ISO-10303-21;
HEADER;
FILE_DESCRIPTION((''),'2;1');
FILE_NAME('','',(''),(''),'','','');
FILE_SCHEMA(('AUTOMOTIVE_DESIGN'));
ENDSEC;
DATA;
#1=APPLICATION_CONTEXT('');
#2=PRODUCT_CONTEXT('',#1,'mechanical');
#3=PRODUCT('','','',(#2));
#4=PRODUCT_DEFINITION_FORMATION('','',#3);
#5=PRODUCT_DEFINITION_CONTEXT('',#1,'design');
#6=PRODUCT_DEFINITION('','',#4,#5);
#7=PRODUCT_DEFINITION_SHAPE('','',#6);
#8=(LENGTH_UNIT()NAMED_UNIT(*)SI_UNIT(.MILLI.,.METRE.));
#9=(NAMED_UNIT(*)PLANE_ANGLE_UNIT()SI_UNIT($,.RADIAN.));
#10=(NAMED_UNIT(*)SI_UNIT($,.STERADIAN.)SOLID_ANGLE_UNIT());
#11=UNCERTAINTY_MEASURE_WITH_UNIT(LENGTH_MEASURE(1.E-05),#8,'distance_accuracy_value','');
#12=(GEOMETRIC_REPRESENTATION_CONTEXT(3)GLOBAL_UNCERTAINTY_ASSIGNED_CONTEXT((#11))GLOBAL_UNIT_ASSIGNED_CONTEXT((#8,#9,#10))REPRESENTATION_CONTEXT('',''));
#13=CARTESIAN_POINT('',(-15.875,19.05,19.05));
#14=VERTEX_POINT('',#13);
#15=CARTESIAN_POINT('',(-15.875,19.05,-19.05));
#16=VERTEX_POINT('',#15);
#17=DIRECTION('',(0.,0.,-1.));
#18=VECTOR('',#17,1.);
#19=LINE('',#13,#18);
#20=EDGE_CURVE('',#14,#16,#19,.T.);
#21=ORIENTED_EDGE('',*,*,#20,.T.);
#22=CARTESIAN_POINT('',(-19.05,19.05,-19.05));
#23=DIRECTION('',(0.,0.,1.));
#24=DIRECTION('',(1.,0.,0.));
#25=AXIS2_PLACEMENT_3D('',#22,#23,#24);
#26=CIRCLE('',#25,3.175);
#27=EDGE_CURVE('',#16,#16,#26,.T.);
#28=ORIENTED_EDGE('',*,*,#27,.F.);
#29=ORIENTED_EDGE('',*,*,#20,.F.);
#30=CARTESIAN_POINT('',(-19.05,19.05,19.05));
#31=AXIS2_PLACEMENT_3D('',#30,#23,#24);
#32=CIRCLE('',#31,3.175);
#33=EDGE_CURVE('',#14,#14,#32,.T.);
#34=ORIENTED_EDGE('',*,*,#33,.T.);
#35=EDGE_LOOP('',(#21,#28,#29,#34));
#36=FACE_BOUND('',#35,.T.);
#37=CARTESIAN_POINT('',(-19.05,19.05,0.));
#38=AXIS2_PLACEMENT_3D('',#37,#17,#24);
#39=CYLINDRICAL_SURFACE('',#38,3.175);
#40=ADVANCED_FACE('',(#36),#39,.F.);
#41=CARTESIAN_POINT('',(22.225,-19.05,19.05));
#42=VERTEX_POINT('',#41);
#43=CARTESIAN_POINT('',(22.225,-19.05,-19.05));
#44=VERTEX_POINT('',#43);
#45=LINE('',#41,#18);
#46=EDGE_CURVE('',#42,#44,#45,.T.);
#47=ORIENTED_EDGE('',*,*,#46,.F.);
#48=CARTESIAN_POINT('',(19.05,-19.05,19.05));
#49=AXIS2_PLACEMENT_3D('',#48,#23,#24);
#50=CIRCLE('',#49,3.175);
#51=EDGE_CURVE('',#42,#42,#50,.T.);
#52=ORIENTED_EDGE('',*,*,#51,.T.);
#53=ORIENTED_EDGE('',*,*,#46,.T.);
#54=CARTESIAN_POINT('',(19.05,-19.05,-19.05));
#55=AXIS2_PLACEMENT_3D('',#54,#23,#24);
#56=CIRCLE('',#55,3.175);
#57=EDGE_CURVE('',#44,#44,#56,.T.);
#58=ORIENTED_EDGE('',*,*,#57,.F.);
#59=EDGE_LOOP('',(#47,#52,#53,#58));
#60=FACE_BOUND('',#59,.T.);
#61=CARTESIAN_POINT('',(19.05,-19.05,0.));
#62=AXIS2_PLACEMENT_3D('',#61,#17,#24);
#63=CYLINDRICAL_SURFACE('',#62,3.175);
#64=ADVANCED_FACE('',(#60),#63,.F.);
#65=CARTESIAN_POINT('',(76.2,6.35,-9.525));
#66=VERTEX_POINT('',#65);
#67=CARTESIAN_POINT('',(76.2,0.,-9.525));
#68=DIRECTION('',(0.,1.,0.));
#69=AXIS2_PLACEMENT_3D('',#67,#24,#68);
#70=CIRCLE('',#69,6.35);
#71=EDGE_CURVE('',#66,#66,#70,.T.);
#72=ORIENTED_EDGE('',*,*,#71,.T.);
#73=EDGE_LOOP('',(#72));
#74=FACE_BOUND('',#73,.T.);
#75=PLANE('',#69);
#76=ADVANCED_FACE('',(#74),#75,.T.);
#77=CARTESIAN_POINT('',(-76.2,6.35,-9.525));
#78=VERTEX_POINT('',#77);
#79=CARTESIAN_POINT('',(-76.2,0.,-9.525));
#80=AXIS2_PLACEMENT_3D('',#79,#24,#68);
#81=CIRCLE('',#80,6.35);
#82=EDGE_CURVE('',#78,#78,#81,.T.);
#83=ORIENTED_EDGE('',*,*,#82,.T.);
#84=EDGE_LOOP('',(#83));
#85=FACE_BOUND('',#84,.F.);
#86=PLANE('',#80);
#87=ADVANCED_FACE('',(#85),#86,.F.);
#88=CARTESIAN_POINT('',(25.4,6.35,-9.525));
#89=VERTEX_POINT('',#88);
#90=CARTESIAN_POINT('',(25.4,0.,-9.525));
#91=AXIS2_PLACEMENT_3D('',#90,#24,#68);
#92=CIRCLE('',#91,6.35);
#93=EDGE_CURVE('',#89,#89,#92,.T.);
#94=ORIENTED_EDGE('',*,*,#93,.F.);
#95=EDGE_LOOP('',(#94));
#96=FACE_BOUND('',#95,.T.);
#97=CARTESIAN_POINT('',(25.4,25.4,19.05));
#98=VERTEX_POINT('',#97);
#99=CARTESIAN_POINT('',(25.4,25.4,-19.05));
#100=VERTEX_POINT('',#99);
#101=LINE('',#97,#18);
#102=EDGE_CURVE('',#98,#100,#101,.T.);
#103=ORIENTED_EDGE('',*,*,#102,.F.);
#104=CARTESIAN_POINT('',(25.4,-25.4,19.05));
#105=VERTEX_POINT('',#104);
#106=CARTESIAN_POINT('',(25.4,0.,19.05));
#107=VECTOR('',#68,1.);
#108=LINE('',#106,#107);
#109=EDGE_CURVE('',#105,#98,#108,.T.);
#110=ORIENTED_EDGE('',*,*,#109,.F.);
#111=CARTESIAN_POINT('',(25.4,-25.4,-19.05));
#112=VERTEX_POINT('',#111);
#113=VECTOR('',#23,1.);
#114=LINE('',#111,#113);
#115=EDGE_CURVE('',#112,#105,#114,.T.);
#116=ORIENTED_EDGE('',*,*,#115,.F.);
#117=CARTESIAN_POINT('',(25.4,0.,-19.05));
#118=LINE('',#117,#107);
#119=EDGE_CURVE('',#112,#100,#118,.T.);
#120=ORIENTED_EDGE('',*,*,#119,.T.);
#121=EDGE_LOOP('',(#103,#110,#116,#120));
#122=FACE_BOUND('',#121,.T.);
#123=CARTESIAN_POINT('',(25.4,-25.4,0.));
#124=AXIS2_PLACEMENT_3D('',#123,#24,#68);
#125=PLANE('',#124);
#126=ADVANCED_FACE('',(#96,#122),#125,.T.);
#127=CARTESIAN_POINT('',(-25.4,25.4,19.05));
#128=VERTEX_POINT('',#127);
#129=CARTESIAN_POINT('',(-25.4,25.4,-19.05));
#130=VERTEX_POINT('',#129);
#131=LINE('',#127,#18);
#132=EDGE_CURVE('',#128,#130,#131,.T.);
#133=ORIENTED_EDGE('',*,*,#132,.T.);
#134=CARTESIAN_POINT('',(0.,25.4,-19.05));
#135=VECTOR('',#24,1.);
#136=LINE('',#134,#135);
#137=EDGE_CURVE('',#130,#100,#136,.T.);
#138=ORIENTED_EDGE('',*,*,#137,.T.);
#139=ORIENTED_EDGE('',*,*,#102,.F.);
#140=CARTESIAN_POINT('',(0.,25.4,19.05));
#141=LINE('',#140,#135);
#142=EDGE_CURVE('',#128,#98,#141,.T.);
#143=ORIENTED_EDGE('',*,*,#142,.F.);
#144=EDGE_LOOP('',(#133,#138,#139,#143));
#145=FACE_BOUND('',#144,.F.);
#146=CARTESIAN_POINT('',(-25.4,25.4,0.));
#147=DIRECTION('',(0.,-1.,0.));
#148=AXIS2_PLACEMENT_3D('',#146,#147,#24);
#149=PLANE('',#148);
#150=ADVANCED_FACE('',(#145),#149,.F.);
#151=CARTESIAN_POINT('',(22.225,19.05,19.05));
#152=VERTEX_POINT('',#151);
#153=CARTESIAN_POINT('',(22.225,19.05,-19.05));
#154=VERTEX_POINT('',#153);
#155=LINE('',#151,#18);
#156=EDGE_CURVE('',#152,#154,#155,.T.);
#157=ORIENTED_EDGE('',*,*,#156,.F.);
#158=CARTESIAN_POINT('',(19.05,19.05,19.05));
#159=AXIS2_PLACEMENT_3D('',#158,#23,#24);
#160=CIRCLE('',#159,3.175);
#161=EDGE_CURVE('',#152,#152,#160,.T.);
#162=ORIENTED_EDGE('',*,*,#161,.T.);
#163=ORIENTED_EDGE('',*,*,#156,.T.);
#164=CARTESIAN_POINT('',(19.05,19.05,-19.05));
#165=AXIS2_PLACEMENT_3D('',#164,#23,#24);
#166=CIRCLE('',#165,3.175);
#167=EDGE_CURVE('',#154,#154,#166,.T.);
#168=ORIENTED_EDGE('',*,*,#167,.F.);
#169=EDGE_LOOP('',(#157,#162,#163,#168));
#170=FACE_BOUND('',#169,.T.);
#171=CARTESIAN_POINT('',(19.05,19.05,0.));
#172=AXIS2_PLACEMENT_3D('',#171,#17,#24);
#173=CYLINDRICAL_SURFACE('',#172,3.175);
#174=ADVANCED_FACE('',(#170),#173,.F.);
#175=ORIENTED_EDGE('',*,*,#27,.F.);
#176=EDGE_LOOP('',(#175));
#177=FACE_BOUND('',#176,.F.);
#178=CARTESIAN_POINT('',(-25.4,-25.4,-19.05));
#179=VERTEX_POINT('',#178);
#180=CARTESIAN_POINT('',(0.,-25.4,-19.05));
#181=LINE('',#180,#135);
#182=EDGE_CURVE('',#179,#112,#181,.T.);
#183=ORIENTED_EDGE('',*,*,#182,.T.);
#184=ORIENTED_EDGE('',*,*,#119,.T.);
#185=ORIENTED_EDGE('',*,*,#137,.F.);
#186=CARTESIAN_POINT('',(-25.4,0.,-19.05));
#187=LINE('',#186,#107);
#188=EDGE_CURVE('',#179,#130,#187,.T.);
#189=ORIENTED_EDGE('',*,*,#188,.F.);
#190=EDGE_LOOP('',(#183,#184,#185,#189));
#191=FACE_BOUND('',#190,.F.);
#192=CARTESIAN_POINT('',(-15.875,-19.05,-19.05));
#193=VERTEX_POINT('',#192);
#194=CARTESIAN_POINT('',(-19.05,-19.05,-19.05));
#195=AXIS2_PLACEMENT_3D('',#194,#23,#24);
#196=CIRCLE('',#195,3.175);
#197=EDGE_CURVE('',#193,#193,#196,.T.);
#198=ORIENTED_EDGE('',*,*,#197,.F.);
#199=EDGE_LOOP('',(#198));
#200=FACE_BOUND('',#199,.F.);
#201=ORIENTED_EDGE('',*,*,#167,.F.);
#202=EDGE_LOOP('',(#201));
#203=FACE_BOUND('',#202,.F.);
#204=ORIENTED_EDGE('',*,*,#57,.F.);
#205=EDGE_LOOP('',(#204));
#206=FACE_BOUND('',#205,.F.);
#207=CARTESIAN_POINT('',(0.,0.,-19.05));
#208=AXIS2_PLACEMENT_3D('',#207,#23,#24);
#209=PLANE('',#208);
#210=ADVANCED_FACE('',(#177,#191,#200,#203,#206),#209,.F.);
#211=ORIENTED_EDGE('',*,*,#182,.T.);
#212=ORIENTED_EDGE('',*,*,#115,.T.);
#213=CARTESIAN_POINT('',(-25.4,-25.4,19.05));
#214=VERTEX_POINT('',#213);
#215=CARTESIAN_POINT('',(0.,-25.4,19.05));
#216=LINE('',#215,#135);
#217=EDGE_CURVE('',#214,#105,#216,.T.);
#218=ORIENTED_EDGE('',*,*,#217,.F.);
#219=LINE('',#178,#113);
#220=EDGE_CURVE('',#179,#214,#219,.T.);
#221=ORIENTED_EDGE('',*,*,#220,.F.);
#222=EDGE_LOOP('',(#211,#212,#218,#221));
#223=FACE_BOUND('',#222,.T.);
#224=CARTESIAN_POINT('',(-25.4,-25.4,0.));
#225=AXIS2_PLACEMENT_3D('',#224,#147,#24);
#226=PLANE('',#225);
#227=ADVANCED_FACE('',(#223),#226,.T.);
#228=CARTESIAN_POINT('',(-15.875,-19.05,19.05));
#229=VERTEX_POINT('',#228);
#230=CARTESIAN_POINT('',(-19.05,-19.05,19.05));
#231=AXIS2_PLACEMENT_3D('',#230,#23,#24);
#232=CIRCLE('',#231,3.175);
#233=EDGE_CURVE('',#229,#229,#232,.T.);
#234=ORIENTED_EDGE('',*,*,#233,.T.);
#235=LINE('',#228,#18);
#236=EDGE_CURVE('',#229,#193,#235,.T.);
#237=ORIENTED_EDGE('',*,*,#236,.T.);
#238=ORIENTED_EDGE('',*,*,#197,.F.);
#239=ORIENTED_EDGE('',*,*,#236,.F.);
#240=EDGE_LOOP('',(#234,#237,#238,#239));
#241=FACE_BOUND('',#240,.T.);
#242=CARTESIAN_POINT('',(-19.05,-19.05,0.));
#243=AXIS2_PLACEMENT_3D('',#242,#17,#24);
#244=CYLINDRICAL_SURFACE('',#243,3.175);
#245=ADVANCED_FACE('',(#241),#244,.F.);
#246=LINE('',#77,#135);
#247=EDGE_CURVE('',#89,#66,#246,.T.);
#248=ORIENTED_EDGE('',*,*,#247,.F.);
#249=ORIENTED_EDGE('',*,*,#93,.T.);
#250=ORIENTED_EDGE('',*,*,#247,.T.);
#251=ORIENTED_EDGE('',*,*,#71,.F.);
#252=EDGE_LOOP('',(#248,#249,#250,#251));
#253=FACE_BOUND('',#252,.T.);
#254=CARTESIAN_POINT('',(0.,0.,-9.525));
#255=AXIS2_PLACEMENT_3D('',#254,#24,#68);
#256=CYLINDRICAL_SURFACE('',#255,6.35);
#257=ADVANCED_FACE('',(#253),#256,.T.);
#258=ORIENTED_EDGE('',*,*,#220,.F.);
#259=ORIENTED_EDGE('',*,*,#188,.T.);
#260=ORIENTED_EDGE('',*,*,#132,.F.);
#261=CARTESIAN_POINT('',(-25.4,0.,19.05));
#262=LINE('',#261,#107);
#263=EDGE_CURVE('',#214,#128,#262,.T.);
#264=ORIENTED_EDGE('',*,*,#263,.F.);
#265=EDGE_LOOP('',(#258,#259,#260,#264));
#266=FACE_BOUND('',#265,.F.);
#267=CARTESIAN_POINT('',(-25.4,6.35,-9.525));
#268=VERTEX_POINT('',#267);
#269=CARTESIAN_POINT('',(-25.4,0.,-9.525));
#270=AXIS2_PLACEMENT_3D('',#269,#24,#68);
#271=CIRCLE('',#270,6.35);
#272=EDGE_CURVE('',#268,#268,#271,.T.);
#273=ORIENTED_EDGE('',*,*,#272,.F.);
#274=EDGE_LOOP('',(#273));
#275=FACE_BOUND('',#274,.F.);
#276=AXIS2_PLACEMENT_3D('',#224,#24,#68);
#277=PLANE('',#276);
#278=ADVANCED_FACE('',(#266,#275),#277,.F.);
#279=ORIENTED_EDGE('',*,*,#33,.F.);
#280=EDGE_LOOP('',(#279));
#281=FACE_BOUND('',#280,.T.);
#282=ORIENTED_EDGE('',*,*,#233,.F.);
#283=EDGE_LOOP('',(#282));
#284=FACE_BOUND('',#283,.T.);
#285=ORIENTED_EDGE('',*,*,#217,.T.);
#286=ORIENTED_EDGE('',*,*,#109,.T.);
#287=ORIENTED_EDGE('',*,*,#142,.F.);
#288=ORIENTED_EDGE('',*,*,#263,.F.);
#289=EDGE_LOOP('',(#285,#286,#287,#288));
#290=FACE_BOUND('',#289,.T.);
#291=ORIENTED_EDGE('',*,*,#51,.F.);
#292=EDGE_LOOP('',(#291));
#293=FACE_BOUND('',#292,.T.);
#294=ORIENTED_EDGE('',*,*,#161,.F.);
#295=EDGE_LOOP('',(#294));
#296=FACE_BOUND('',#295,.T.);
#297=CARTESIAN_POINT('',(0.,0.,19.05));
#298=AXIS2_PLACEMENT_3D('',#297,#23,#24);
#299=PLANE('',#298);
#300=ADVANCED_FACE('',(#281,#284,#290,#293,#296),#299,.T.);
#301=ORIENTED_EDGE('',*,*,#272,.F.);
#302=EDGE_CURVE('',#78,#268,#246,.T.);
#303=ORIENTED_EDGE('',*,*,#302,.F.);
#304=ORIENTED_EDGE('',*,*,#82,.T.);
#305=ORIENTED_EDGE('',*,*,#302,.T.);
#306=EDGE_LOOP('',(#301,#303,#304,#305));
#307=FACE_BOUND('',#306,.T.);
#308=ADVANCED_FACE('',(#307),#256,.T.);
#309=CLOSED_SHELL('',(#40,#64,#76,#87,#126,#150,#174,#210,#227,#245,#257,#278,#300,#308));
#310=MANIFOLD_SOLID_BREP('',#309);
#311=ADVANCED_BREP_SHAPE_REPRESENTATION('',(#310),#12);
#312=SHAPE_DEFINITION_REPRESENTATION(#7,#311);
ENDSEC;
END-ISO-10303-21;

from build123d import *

# Parameters (mm, degrees)
F0_W     = 50.8
F0_H     = 50.8
F0_R     = 3.175
F1_DEPTH = 19.05
F2_R     = 6.35
F3_DEPTH = 76.2


with BuildPart() as f1:
    # F0 (on Top) → F1 (new body, symmetric)
    with BuildSketch(Plane.XY):
        Rectangle(F0_W, F0_H)
        with Locations((-19.05, -19.05)):
            Circle(F0_R, mode=Mode.SUBTRACT)
        with Locations((19.05, -19.05)):
            Circle(F0_R, mode=Mode.SUBTRACT)
        with Locations((-19.05, 19.05)):
            Circle(F0_R, mode=Mode.SUBTRACT)
        with Locations((19.05, 19.05)):
            Circle(F0_R, mode=Mode.SUBTRACT)
    extrude(amount=F1_DEPTH, both=True)

    # F2 (on Right) → F3 (join, symmetric)
    with BuildSketch(Plane.YZ):
        with Locations((0, -9.525)):
            Circle(F2_R)
    extrude(amount=F3_DEPTH, both=True)


solid = f1.part
